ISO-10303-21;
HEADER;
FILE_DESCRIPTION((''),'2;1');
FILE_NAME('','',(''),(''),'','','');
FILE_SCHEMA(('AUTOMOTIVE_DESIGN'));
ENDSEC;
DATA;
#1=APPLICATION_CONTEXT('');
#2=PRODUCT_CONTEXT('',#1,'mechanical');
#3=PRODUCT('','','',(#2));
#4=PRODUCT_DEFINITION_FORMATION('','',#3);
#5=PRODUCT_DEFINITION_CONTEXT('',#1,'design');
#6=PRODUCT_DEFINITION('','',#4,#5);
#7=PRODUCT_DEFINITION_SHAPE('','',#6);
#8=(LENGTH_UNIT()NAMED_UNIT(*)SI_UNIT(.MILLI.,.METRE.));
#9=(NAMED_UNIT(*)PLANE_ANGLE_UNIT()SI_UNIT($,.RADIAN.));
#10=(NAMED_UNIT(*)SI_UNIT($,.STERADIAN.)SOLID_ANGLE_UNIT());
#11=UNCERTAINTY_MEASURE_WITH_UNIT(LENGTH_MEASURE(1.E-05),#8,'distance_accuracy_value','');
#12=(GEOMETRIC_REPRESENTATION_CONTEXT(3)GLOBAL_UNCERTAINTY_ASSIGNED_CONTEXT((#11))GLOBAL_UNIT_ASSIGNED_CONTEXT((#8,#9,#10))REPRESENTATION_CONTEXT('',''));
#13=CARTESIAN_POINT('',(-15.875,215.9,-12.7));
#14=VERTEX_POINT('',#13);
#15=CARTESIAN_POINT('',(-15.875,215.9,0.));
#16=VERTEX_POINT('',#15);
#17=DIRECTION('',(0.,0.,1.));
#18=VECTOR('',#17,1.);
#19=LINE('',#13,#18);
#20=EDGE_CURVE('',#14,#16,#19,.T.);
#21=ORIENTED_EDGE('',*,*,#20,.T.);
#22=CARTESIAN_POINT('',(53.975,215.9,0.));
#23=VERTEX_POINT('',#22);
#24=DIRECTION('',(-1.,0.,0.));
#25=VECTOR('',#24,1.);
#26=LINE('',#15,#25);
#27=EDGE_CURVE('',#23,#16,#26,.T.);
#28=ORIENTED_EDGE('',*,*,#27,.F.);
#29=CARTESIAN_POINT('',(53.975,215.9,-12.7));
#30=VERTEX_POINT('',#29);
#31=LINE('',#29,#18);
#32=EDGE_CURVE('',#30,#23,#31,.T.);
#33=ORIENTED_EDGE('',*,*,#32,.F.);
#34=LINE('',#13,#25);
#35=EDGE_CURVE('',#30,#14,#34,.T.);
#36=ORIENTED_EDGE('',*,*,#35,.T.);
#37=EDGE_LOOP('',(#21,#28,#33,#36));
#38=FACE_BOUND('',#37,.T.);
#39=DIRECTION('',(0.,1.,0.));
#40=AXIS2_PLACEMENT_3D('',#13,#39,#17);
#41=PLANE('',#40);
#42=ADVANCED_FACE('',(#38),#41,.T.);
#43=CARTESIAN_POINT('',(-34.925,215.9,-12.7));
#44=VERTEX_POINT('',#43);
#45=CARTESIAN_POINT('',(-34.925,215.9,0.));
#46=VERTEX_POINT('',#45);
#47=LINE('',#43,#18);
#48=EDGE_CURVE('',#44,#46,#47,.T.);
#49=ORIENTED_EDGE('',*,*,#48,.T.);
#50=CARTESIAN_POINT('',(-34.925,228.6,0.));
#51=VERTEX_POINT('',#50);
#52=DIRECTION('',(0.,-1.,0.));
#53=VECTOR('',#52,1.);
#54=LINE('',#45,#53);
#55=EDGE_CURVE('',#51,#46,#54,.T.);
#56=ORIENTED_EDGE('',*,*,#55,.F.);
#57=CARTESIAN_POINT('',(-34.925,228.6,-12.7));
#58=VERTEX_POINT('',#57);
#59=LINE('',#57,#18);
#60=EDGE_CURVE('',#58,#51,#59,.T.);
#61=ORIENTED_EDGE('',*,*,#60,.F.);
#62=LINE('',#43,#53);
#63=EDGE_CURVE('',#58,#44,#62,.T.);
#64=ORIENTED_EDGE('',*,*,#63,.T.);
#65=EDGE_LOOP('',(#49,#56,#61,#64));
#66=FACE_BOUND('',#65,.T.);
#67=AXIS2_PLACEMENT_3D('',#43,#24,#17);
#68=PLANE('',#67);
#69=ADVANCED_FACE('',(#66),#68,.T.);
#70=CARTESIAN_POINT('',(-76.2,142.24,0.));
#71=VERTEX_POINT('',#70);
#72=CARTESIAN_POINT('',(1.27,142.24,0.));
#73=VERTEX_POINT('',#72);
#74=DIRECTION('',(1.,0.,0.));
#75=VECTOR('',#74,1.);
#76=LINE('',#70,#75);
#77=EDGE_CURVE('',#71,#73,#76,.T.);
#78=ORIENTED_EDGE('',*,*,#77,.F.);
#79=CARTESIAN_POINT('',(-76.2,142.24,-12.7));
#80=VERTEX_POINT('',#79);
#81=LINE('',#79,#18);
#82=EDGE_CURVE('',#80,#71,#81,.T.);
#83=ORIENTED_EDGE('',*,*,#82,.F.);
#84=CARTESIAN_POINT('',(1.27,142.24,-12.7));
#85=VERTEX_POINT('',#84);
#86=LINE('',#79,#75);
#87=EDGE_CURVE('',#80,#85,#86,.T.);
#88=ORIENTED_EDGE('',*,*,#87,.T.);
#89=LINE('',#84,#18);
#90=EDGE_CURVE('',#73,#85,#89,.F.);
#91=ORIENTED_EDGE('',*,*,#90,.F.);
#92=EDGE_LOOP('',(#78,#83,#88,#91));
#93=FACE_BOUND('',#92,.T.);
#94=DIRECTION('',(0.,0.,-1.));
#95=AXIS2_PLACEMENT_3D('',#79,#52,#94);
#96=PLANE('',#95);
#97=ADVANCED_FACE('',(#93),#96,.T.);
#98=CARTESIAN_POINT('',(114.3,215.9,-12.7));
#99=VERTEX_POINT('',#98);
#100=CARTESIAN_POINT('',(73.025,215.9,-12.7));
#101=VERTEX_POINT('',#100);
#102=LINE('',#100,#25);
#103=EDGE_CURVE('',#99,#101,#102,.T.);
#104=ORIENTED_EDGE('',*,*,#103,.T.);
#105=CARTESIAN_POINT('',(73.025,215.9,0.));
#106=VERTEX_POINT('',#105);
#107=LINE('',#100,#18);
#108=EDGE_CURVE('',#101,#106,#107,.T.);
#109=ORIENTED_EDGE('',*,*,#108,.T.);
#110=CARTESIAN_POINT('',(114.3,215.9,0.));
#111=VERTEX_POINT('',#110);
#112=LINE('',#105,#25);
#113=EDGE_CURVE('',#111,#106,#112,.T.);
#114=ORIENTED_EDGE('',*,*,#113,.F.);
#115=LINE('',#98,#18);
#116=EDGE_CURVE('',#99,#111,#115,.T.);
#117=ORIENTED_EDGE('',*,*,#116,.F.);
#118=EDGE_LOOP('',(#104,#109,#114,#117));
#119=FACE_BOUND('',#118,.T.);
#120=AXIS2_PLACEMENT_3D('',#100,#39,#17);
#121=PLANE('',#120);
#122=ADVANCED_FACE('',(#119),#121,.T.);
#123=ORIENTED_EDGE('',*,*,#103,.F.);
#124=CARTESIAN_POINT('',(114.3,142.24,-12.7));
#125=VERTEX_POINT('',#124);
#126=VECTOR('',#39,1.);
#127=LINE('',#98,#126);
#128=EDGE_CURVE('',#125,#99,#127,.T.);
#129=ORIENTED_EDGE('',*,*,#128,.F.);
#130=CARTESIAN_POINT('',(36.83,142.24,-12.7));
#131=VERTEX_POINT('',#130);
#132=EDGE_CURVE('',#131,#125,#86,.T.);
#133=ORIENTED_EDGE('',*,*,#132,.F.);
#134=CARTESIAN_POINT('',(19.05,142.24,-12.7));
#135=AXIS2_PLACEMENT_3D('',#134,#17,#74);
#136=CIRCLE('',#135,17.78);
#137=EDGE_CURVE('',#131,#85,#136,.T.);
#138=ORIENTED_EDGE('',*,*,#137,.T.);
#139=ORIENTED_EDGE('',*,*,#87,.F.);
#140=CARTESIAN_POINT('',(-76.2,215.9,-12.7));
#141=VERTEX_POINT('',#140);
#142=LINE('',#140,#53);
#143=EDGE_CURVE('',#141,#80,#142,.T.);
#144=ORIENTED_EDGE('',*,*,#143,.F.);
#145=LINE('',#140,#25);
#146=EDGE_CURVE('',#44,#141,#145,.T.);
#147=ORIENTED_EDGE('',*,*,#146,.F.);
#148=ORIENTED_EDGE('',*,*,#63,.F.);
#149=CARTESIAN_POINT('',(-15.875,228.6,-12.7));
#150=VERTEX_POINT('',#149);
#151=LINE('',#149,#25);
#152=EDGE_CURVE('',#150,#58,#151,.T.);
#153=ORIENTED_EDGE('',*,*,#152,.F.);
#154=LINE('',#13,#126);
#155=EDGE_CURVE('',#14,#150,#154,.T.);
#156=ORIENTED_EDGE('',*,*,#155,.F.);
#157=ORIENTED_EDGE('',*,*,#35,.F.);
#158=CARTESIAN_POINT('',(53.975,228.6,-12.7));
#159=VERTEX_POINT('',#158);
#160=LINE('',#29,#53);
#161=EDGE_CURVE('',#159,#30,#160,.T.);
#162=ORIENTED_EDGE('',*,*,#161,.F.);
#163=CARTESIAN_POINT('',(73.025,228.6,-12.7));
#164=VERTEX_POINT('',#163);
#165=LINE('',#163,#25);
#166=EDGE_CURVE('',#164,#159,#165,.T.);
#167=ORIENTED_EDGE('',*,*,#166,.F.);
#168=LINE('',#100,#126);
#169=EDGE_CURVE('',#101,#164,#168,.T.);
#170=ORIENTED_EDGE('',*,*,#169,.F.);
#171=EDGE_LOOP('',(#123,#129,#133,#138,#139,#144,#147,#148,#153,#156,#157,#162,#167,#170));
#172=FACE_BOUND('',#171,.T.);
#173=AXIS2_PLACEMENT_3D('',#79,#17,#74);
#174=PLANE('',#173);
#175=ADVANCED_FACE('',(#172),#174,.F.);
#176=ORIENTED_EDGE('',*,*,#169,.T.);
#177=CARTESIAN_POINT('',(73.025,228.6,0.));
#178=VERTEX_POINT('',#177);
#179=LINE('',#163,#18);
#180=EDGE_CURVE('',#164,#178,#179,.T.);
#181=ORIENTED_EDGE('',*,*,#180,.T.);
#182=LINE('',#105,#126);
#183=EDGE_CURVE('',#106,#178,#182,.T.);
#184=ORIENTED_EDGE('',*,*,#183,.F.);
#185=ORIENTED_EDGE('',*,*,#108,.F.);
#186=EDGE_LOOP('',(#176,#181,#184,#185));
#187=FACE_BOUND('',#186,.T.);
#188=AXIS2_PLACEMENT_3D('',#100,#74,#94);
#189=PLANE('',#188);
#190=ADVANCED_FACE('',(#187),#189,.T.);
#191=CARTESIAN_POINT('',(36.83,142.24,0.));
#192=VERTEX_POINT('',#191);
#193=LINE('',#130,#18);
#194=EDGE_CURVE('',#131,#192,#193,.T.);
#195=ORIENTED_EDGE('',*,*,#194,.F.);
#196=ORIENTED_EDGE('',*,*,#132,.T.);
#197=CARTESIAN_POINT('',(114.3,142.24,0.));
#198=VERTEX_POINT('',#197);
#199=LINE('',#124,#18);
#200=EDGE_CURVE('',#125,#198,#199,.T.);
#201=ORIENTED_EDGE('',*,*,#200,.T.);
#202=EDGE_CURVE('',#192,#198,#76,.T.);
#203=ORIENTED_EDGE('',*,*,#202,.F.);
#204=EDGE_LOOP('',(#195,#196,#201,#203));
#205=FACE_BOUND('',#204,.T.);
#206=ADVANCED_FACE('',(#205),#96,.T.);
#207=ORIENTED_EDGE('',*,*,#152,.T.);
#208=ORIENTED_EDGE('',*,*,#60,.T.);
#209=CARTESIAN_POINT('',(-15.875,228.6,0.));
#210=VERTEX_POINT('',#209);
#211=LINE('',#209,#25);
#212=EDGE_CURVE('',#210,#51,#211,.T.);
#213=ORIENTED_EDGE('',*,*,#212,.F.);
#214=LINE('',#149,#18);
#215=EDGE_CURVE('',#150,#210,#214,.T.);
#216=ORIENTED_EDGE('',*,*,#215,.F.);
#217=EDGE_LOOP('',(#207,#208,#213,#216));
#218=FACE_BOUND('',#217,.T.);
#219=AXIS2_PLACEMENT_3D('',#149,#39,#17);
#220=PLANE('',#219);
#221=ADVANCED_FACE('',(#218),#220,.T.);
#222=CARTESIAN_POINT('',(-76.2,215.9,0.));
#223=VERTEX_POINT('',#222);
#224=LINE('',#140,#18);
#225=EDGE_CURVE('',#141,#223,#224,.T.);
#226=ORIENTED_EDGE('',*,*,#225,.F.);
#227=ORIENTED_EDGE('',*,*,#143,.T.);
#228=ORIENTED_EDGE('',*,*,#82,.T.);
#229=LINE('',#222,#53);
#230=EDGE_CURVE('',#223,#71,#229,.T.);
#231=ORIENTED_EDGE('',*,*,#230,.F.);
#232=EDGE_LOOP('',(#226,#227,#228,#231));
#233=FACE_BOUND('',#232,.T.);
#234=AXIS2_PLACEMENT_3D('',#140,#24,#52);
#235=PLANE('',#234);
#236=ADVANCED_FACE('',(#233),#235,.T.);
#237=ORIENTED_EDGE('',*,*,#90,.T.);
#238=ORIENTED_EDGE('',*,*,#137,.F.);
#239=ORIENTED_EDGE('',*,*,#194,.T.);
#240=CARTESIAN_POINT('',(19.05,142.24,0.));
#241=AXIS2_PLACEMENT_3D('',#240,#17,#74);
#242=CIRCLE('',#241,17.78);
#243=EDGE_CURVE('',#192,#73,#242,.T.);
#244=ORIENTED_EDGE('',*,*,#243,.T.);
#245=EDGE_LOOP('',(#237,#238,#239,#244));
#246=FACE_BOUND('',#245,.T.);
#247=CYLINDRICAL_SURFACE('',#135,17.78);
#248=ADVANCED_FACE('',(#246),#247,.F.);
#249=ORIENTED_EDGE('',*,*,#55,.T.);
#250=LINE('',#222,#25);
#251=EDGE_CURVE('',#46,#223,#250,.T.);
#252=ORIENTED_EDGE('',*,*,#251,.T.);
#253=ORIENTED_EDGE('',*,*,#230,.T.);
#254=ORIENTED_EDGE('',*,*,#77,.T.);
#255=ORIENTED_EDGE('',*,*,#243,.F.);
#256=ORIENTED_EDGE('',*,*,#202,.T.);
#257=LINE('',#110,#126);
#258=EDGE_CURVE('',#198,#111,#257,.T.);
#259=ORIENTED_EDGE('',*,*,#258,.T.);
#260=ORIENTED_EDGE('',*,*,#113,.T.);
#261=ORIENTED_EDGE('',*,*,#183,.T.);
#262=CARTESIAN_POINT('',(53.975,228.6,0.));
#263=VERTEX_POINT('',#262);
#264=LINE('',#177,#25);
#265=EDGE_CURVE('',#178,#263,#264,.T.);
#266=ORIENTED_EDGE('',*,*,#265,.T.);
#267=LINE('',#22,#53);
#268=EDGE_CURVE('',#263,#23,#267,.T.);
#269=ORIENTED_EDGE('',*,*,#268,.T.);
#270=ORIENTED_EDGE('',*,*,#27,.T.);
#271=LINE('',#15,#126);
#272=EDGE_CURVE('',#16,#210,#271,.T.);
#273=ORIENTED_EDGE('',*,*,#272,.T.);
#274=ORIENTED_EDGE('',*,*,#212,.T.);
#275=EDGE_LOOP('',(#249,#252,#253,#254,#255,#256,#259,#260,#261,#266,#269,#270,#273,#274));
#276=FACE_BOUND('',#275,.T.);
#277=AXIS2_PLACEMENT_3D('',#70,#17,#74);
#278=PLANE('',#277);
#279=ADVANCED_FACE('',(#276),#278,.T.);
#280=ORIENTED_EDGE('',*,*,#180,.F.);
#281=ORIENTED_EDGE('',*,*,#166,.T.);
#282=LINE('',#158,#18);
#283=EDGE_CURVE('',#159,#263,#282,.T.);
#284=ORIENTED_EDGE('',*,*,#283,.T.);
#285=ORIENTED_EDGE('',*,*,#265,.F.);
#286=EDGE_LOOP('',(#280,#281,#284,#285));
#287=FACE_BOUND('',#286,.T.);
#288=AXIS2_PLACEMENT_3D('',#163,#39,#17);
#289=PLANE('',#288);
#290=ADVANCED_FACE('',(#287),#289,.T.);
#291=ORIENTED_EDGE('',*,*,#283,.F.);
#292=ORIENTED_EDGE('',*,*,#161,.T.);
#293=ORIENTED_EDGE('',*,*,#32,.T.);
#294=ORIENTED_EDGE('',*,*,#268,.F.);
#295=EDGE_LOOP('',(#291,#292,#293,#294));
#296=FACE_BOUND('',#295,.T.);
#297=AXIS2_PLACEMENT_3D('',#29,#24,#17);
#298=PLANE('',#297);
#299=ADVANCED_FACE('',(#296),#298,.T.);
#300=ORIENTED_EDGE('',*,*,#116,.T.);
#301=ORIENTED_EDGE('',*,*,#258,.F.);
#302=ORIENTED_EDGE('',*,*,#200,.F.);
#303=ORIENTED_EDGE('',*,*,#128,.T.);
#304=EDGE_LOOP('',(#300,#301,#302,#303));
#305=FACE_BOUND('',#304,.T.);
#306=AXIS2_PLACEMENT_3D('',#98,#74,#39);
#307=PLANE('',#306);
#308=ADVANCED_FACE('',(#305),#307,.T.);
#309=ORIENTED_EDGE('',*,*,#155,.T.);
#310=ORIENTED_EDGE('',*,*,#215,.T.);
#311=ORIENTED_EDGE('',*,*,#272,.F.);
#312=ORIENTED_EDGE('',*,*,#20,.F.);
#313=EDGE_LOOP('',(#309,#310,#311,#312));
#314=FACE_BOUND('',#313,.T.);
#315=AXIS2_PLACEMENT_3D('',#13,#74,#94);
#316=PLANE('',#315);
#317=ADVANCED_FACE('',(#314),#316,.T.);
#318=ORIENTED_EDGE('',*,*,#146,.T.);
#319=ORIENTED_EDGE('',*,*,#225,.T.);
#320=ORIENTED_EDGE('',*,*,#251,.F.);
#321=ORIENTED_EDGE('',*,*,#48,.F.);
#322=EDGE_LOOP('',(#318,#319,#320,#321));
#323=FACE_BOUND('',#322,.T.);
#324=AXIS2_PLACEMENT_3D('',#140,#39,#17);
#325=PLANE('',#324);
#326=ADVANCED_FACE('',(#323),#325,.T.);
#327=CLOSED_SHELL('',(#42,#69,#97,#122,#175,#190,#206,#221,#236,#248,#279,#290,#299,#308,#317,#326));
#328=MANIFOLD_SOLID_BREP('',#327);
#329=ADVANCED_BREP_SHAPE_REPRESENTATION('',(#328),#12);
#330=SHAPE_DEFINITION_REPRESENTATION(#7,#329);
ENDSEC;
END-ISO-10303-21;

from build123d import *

# Parameters (mm, degrees)
EXTRUDE1_DEPTH     = 12.7
SKETCH2_R          = 17.78
CUT_EXTRUDE1_DEPTH = 256.897909331


with BuildPart() as part:
    # Sketch1 → Extrude1 (new body)
    with BuildSketch(Plane.XY):
        Polygon((-76.2, 215.9), (-34.925, 215.9), (-34.925, 228.6), (-15.875, 228.6), (-15.875, 215.9), (53.975, 215.9), (53.975, 228.6), (73.025, 228.6), (73.025, 215.9), (114.3, 215.9), (114.3, 142.24), (-76.2, 142.24), align=None)
    extrude(amount=-EXTRUDE1_DEPTH)

    # Sketch2 → Cut-Extrude1 (cut, through all)
    with BuildSketch(Plane.XY):
        with Locations((19.05, 142.24)):
            Circle(SKETCH2_R)
    extrude(amount=-CUT_EXTRUDE1_DEPTH, mode=Mode.SUBTRACT)


solid = part.part
